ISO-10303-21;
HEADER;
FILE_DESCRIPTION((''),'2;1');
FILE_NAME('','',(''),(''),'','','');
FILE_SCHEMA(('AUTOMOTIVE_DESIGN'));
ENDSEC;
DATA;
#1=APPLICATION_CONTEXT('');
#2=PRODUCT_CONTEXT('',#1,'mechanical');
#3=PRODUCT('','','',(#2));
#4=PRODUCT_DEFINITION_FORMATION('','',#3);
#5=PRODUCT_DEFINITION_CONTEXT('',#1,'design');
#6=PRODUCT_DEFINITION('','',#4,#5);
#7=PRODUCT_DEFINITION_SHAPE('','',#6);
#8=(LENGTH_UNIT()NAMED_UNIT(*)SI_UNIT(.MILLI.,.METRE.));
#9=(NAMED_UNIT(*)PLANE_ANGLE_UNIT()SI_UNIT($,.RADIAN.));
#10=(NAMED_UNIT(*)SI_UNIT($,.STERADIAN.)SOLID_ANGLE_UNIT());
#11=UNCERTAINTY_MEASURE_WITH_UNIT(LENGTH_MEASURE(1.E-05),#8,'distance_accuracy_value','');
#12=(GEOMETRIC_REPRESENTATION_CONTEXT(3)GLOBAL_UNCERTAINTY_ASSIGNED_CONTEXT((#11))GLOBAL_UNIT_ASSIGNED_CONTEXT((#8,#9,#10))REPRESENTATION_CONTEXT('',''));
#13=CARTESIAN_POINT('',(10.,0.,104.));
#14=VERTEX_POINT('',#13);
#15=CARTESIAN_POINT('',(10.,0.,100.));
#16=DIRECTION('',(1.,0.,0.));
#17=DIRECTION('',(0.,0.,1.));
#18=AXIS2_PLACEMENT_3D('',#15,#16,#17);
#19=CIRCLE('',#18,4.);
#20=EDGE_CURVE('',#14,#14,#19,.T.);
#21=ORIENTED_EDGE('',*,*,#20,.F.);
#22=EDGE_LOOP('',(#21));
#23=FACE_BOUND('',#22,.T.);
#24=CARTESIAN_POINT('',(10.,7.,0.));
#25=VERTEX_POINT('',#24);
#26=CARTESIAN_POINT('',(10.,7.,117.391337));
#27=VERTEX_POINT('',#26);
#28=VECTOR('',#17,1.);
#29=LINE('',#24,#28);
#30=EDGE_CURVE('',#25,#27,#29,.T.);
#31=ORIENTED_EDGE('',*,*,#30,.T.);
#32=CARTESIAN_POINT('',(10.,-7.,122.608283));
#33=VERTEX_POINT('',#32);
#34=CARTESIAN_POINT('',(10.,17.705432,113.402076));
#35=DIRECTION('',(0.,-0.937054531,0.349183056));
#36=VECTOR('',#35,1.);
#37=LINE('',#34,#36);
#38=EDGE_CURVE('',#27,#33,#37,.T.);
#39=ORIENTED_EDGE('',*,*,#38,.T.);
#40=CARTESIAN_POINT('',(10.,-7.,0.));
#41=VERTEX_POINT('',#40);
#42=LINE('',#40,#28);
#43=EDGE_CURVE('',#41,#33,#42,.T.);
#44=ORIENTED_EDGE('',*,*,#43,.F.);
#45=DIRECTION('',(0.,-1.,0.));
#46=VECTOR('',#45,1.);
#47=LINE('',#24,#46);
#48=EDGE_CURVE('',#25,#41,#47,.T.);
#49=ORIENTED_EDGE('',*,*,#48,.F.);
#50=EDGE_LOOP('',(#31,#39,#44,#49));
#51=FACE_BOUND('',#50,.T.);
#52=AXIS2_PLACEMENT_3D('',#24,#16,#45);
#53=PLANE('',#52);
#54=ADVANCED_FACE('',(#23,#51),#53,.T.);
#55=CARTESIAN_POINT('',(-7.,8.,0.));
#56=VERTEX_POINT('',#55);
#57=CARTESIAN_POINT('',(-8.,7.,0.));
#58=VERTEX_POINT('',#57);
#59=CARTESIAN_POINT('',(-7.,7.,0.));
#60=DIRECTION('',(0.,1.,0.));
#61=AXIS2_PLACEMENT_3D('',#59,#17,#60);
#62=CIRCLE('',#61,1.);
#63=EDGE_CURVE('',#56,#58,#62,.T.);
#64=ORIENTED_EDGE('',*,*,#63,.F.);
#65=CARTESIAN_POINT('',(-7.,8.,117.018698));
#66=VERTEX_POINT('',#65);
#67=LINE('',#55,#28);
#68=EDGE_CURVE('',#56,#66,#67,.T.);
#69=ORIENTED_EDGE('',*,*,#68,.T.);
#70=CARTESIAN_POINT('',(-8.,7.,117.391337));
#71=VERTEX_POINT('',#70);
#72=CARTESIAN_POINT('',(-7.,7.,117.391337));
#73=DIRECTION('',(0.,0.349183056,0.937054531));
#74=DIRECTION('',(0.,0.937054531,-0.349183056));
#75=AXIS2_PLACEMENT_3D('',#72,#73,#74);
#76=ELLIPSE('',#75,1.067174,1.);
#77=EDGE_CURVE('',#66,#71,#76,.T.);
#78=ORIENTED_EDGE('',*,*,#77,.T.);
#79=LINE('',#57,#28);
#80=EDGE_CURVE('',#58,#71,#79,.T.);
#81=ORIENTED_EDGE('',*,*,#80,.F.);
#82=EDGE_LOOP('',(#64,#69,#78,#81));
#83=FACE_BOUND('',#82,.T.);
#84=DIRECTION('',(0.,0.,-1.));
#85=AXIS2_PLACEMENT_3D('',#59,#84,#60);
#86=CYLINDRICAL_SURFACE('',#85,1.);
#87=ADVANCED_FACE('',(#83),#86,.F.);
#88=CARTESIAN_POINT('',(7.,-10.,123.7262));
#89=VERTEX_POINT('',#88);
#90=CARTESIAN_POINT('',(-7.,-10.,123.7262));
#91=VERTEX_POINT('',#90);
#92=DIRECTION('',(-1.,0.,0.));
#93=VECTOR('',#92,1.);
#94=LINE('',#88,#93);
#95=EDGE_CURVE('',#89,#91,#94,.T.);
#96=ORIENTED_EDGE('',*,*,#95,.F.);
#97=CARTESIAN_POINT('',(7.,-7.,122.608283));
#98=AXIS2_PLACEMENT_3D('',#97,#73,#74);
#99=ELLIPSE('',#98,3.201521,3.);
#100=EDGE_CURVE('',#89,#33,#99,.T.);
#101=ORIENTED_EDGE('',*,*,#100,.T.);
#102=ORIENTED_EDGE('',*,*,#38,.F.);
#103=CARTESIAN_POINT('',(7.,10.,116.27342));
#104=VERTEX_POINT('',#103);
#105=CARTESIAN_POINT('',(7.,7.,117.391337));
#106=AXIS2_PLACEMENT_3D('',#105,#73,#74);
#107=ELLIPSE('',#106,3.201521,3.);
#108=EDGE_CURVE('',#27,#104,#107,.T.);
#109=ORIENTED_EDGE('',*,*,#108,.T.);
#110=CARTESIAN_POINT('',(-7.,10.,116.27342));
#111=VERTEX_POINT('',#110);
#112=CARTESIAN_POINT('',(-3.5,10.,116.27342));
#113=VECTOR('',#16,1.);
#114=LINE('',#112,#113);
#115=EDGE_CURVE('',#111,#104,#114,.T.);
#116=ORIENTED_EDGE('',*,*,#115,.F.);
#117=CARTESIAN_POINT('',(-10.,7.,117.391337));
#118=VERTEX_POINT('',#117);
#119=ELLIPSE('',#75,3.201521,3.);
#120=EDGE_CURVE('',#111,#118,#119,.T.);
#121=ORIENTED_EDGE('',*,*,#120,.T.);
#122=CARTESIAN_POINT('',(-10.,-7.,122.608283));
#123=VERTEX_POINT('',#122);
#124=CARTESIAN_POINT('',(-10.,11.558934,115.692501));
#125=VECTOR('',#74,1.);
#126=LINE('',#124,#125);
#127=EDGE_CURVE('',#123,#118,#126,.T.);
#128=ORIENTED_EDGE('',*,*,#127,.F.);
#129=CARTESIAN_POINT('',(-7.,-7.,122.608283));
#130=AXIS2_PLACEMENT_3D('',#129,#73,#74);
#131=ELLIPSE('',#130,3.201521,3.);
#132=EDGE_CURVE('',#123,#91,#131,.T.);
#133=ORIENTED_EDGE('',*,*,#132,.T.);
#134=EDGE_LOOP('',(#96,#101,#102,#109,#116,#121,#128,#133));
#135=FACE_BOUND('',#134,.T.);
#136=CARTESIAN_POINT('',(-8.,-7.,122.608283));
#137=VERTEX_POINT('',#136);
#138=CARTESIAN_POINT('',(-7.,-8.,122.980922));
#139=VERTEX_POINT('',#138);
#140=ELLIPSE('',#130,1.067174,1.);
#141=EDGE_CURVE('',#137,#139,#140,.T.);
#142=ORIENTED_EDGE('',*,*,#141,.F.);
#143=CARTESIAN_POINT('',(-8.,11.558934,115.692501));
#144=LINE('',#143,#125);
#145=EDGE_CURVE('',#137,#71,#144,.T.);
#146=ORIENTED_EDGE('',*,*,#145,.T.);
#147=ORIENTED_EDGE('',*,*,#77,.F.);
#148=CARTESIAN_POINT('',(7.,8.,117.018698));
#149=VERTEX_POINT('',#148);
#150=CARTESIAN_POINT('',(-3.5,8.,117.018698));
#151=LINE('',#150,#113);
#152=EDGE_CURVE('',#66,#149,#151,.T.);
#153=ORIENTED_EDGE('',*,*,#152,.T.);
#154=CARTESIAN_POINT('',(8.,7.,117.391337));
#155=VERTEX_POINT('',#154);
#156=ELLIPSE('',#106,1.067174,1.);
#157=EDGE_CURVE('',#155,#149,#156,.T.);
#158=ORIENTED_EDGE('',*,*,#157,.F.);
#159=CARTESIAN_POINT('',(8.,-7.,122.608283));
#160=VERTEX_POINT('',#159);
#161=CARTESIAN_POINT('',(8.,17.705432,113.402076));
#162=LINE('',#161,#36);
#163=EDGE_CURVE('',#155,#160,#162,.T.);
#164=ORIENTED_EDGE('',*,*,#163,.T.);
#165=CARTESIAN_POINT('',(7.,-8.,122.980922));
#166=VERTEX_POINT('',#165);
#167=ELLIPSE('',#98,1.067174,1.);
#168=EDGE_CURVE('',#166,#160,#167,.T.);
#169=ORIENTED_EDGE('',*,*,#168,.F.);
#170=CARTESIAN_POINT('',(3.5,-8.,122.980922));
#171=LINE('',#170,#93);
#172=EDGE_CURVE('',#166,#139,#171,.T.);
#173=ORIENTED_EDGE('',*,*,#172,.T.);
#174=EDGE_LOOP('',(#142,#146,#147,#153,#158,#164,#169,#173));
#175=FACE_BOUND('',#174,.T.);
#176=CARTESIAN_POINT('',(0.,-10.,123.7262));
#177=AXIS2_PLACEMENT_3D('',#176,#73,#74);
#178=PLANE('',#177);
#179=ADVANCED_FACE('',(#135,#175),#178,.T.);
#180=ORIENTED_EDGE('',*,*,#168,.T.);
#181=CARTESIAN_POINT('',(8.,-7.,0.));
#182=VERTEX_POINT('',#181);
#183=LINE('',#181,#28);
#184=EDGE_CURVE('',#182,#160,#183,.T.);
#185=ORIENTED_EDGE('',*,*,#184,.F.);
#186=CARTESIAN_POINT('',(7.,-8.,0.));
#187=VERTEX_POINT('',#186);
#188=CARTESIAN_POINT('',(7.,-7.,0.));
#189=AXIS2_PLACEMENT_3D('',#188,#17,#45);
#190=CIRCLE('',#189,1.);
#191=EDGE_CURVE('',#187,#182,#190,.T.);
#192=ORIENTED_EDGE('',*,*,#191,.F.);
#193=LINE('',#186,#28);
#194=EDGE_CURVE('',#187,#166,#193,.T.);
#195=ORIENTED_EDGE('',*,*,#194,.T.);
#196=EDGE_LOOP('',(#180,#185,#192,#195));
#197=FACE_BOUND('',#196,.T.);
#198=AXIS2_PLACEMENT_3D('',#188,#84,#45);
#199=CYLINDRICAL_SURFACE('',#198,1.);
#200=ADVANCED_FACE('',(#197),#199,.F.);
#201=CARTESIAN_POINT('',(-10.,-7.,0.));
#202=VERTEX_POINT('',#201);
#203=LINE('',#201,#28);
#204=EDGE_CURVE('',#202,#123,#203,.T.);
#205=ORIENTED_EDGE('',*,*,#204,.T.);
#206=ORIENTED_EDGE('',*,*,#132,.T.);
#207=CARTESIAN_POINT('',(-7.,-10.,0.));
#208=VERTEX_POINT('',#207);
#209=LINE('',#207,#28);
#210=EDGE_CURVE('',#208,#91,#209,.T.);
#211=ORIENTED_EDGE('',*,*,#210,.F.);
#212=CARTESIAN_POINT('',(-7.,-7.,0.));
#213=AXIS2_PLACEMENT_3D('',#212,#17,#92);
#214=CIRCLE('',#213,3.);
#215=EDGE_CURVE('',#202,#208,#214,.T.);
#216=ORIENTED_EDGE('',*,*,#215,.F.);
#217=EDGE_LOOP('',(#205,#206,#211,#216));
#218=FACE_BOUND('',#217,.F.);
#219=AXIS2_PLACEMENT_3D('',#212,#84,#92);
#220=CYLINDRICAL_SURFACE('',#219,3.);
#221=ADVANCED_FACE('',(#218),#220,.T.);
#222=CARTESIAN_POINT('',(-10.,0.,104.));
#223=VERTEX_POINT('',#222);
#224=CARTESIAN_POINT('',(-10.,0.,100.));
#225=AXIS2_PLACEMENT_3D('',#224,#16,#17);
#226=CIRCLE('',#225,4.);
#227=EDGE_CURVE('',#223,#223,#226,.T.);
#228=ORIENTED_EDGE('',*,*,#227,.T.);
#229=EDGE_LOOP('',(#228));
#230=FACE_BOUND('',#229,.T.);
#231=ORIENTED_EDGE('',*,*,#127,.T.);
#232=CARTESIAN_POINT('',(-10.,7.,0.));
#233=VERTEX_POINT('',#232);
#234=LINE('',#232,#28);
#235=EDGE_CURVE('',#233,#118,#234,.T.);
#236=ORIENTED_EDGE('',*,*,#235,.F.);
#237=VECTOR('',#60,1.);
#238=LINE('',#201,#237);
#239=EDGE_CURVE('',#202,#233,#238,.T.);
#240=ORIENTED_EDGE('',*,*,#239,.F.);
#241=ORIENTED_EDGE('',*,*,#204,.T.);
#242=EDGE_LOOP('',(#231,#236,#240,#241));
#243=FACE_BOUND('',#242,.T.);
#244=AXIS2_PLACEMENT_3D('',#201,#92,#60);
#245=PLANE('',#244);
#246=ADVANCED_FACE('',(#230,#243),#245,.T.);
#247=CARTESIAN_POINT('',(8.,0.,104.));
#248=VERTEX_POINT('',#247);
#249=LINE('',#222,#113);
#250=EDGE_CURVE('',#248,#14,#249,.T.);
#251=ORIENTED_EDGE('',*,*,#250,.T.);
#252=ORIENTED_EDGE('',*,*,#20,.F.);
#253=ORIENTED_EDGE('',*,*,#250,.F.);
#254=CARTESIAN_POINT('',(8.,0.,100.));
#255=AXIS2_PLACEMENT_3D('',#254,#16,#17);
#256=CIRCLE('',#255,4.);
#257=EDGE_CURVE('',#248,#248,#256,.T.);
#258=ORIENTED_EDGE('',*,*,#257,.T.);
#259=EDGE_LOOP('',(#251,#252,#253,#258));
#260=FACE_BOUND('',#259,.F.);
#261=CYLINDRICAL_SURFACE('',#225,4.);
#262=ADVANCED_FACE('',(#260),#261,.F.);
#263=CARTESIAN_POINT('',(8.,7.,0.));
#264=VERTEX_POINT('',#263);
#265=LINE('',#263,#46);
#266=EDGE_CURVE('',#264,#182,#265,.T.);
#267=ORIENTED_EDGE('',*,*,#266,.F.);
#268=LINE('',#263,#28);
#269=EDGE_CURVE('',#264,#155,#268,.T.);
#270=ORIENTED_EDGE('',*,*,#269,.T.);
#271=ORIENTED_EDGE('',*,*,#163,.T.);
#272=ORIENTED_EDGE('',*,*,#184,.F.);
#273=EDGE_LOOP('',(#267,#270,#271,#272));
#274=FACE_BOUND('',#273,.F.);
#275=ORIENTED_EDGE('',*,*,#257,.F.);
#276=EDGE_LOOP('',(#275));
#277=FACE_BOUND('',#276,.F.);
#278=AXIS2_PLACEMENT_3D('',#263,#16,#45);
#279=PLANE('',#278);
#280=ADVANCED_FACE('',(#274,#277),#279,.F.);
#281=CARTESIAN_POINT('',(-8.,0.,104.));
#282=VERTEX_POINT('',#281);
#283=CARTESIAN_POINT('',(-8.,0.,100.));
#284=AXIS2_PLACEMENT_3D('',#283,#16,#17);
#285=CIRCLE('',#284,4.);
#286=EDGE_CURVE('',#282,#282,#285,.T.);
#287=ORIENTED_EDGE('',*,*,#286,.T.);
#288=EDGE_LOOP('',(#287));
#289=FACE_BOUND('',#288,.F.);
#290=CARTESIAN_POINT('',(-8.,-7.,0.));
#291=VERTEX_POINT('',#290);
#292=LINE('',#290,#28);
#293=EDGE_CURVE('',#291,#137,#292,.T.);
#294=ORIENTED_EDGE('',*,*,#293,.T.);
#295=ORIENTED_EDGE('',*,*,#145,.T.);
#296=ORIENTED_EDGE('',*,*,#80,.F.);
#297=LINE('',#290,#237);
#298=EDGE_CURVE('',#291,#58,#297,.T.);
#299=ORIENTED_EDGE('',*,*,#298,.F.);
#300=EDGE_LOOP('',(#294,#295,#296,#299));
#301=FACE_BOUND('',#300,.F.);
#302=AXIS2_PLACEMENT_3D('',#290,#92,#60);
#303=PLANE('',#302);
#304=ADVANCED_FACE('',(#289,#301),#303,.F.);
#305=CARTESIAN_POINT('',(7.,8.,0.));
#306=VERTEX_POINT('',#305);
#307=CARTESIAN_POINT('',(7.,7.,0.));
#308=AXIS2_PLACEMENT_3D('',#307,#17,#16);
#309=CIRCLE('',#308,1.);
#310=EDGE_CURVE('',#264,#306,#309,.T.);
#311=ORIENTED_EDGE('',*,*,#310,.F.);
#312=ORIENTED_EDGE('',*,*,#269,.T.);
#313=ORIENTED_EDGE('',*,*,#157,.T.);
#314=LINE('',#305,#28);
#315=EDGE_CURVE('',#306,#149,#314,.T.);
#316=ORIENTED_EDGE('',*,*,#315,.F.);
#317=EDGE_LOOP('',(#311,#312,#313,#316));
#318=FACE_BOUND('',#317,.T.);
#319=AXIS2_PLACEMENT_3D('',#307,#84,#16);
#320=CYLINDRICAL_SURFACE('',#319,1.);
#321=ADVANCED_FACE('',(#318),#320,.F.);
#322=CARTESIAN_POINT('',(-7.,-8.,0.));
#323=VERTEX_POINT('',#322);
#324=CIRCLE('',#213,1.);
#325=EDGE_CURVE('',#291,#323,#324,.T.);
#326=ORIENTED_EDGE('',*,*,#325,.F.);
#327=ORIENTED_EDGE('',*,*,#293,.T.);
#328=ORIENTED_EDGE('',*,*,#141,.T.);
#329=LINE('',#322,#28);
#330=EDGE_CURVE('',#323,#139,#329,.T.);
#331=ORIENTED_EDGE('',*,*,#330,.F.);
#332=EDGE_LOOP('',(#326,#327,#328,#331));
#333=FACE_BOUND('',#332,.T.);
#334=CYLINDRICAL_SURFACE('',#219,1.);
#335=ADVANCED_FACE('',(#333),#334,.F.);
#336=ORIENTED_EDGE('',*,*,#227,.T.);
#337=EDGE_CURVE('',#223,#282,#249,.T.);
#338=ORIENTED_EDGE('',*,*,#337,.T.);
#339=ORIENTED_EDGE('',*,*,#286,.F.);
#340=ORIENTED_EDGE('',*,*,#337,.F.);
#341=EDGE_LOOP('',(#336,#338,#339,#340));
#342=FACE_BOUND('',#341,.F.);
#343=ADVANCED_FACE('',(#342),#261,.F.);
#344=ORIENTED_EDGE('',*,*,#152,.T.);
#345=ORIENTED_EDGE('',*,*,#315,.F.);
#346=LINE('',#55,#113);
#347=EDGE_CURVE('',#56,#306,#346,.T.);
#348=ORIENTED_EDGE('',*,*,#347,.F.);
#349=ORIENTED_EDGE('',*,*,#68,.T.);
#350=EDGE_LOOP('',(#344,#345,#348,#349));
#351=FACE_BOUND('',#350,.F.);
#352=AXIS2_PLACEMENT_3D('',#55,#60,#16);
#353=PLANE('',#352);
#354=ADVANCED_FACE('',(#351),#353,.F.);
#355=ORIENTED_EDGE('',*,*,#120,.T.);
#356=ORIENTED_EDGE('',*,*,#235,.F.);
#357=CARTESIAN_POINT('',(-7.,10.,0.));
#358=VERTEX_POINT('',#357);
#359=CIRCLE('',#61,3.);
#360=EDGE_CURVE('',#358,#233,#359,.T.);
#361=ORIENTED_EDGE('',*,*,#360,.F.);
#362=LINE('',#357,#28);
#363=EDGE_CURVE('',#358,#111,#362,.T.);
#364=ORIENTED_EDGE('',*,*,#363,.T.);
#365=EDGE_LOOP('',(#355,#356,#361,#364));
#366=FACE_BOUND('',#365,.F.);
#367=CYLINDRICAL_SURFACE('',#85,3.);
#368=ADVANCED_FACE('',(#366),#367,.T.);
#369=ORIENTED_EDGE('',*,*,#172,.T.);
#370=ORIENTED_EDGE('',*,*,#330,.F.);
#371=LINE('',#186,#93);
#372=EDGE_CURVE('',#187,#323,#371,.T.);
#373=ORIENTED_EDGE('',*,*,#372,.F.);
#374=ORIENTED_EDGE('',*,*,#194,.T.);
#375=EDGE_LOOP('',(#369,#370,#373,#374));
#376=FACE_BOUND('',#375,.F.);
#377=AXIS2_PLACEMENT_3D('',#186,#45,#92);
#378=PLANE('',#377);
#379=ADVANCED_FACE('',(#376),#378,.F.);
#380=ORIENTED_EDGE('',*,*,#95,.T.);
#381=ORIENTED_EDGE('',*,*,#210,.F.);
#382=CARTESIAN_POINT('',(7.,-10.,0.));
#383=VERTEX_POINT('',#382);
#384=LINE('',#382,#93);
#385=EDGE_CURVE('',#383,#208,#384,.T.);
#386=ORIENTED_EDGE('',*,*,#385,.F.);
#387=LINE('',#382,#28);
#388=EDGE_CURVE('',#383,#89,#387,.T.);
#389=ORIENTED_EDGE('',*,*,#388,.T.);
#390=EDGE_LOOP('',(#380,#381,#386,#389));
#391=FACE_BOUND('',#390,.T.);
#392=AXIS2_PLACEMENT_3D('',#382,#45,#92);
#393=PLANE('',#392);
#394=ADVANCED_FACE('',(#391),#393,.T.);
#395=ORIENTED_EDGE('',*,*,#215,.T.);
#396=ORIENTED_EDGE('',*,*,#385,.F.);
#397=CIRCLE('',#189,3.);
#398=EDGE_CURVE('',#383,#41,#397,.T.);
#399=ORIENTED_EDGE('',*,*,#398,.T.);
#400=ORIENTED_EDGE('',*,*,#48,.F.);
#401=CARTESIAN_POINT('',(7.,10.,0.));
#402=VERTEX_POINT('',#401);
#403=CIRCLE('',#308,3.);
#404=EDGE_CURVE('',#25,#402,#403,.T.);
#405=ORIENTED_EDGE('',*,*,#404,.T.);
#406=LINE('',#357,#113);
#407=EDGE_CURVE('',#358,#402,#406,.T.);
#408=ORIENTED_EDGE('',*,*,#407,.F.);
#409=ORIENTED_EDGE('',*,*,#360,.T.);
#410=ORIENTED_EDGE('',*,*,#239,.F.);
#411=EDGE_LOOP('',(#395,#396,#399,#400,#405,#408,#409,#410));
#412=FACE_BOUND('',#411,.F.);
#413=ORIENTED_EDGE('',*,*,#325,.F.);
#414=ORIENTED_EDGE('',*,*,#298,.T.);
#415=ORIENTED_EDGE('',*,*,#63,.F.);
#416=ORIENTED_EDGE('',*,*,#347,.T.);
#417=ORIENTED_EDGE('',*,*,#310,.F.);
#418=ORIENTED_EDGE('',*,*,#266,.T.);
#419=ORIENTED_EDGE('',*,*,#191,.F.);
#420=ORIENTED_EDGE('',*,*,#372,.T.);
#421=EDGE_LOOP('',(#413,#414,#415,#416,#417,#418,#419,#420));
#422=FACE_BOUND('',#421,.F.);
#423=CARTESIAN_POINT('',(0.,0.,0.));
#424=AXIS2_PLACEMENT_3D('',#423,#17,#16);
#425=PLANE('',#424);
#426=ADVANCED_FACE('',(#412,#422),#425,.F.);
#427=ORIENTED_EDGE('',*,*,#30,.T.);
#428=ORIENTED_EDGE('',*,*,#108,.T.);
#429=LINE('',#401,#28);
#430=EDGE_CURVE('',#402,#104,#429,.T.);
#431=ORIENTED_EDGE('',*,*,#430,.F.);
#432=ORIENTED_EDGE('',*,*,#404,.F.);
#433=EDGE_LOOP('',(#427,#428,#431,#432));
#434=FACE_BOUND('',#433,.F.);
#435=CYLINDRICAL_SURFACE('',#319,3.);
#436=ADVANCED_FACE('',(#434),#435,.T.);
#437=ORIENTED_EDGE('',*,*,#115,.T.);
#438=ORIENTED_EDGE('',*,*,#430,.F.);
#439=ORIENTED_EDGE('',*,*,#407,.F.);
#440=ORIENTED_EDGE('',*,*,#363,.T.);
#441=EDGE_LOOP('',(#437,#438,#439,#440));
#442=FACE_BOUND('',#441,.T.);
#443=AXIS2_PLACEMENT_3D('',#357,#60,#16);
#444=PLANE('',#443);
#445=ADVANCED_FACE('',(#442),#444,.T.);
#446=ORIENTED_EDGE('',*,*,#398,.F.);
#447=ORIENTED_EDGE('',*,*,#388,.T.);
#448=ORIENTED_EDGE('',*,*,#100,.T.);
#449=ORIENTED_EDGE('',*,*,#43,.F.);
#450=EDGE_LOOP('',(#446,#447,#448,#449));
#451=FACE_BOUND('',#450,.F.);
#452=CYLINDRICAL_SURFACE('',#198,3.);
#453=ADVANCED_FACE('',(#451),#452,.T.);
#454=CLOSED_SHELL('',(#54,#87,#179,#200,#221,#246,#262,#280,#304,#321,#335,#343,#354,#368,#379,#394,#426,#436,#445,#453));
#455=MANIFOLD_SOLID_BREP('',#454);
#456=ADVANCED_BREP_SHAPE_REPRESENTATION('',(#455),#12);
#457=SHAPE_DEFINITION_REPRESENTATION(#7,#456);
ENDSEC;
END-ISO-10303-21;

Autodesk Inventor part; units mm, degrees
ref_plane "Start Plane" through (0, 0, 0) normal (0, 0, 1) x (1, 0, 0)
ref_plane "End Plane" through (0, 0, 123.7262) normal (0, 0, 1) x (1, 0, 0)
sketch "Sketch" plane through (0, 0, 0) normal (0, 0, 1) x (1, 0, 0)
  line L0 (-10, -7) -> (-10, 7)
  line L1 (-7, 10) -> (7, 10)
  line L2 (10, 7) -> (10, -7)
  line L3 (7, -10) -> (-7, -10)
  arc A0 (-10, -7) -> (-7, -10) centre (-7, -7) ccw
  arc A1 (-7, 10) -> (-10, 7) centre (-7, 7) ccw
  arc A2 (10, 7) -> (7, 10) centre (7, 7) ccw
  arc A3 (7, -10) -> (10, -7) centre (7, -7) ccw
  arc A4 (-7, 8) -> (-8, 7) centre (-7, 7) ccw
  line L4 (-7, 8) -> (7, 8)
  arc A5 (8, 7) -> (7, 8) centre (7, 7) ccw
  line L5 (8, 7) -> (8, -7)
  arc A6 (7, -8) -> (8, -7) centre (7, -7) ccw
  line L6 (7, -8) -> (-7, -8)
  arc A7 (-8, -7) -> (-7, -8) centre (-7, -7) ccw
  line L7 (-8, -7) -> (-8, 7)
  line L8 (0, 14.8698) -> (0, -14.8698) construction
  line L9 (-14.8698, 0) -> (14.8698, 0) construction
  dimension "d7" = 3
  dimension "d10" = 20
  dimension "d11" = 20
  dimension "d12" = 2
  dimension "d15" = 10
  dimension "d16" = 10
extrude "Body" add sketch "Sketch" along normal up to surface (123.7262 mm away) from surface at 0
sketch "Sketch3" plane through (0, 0, 0) normal (0, 0, 1) x (1, 0, 0)
  line L0 (0, 0) -> (10, 0)
ref_plane "Work Plane3" through (0, 0, 0) normal (0, -1, 0) x (1, 0, 0)
sketch "Sketch4" plane through (0, 0, 0) normal (0, -1, 0) x (1, 0, 0)
  line L0 (-2, 0) -> (12, 0)
  line L1 (-2, 123.7262) -> (12, 123.7262)
  dimension "d18" = 123.7262
ref_plane "Work Plane5" through (0, -10, 123.7262) normal (0, 0.3492, 0.9371) x (1, 0, 0)
split "Split2" plane through (0, -10, 123.7262) removes the side toward (0, 0.3492, 0.9371)
sketch "Sketch5" plane through (-10, -7, 0) normal (-1, 0, 0) x (0, 0, 1)
  line L0 (0, 17) -> (123.7262, 17) projected
  line L1 (0, -3) -> (123.7262, -3) projected
  line L2 (117.3917, 14) -> (116.2738, 17) projected
  line L3 (117.3917, 14) -> (122.6083, 0) projected
  line L4 (122.6083, 0) -> (123.7262, -3) projected
  line L5 (0, 0) -> (0, 14) projected
  line L6 (0, 17) -> (0, 14) projected
  line L7 (0, 0) -> (0, -3) projected
  line L8 (100, 17) -> (100, -3) construction
  point P0 (0, 7)
  point P1 (100, 7)
  point P2 (152.9727, -0.2898)
  dimension "d19" = 100
hole "Hole1" at (-10, 0, 100) direction (1, 0, 0) diameter 8 end through all
equation "\"d7\" = G_IR"
equation "\"d10\" = G_H"
equation "\"d11\" = G_W"
equation "\"d12\" = G_T"
equation "\"d15\" = 0.5 * d10"
equation "\"d16\" = 0.5 * d11"
equation "\"d3\" = G_L"
equation "\"G_W\" = 20"
equation "\"G_H\" = 20"
equation "\"G_T\" = 2"
equation "\"G_IR\" = 3"
equation "\"G_L\" = d18"
equation "\"G_OFFSET_START\" = 0"
equation "\"G_OFFSET_END\" = 3.72616"
equation "\"d14\" = G_OFFSET_END + B_L"
equation "\"B_L\" = 120"
properties part number "ISO 12633-2 - 20x20x2 - 123,73" material "Steel, Mild"
